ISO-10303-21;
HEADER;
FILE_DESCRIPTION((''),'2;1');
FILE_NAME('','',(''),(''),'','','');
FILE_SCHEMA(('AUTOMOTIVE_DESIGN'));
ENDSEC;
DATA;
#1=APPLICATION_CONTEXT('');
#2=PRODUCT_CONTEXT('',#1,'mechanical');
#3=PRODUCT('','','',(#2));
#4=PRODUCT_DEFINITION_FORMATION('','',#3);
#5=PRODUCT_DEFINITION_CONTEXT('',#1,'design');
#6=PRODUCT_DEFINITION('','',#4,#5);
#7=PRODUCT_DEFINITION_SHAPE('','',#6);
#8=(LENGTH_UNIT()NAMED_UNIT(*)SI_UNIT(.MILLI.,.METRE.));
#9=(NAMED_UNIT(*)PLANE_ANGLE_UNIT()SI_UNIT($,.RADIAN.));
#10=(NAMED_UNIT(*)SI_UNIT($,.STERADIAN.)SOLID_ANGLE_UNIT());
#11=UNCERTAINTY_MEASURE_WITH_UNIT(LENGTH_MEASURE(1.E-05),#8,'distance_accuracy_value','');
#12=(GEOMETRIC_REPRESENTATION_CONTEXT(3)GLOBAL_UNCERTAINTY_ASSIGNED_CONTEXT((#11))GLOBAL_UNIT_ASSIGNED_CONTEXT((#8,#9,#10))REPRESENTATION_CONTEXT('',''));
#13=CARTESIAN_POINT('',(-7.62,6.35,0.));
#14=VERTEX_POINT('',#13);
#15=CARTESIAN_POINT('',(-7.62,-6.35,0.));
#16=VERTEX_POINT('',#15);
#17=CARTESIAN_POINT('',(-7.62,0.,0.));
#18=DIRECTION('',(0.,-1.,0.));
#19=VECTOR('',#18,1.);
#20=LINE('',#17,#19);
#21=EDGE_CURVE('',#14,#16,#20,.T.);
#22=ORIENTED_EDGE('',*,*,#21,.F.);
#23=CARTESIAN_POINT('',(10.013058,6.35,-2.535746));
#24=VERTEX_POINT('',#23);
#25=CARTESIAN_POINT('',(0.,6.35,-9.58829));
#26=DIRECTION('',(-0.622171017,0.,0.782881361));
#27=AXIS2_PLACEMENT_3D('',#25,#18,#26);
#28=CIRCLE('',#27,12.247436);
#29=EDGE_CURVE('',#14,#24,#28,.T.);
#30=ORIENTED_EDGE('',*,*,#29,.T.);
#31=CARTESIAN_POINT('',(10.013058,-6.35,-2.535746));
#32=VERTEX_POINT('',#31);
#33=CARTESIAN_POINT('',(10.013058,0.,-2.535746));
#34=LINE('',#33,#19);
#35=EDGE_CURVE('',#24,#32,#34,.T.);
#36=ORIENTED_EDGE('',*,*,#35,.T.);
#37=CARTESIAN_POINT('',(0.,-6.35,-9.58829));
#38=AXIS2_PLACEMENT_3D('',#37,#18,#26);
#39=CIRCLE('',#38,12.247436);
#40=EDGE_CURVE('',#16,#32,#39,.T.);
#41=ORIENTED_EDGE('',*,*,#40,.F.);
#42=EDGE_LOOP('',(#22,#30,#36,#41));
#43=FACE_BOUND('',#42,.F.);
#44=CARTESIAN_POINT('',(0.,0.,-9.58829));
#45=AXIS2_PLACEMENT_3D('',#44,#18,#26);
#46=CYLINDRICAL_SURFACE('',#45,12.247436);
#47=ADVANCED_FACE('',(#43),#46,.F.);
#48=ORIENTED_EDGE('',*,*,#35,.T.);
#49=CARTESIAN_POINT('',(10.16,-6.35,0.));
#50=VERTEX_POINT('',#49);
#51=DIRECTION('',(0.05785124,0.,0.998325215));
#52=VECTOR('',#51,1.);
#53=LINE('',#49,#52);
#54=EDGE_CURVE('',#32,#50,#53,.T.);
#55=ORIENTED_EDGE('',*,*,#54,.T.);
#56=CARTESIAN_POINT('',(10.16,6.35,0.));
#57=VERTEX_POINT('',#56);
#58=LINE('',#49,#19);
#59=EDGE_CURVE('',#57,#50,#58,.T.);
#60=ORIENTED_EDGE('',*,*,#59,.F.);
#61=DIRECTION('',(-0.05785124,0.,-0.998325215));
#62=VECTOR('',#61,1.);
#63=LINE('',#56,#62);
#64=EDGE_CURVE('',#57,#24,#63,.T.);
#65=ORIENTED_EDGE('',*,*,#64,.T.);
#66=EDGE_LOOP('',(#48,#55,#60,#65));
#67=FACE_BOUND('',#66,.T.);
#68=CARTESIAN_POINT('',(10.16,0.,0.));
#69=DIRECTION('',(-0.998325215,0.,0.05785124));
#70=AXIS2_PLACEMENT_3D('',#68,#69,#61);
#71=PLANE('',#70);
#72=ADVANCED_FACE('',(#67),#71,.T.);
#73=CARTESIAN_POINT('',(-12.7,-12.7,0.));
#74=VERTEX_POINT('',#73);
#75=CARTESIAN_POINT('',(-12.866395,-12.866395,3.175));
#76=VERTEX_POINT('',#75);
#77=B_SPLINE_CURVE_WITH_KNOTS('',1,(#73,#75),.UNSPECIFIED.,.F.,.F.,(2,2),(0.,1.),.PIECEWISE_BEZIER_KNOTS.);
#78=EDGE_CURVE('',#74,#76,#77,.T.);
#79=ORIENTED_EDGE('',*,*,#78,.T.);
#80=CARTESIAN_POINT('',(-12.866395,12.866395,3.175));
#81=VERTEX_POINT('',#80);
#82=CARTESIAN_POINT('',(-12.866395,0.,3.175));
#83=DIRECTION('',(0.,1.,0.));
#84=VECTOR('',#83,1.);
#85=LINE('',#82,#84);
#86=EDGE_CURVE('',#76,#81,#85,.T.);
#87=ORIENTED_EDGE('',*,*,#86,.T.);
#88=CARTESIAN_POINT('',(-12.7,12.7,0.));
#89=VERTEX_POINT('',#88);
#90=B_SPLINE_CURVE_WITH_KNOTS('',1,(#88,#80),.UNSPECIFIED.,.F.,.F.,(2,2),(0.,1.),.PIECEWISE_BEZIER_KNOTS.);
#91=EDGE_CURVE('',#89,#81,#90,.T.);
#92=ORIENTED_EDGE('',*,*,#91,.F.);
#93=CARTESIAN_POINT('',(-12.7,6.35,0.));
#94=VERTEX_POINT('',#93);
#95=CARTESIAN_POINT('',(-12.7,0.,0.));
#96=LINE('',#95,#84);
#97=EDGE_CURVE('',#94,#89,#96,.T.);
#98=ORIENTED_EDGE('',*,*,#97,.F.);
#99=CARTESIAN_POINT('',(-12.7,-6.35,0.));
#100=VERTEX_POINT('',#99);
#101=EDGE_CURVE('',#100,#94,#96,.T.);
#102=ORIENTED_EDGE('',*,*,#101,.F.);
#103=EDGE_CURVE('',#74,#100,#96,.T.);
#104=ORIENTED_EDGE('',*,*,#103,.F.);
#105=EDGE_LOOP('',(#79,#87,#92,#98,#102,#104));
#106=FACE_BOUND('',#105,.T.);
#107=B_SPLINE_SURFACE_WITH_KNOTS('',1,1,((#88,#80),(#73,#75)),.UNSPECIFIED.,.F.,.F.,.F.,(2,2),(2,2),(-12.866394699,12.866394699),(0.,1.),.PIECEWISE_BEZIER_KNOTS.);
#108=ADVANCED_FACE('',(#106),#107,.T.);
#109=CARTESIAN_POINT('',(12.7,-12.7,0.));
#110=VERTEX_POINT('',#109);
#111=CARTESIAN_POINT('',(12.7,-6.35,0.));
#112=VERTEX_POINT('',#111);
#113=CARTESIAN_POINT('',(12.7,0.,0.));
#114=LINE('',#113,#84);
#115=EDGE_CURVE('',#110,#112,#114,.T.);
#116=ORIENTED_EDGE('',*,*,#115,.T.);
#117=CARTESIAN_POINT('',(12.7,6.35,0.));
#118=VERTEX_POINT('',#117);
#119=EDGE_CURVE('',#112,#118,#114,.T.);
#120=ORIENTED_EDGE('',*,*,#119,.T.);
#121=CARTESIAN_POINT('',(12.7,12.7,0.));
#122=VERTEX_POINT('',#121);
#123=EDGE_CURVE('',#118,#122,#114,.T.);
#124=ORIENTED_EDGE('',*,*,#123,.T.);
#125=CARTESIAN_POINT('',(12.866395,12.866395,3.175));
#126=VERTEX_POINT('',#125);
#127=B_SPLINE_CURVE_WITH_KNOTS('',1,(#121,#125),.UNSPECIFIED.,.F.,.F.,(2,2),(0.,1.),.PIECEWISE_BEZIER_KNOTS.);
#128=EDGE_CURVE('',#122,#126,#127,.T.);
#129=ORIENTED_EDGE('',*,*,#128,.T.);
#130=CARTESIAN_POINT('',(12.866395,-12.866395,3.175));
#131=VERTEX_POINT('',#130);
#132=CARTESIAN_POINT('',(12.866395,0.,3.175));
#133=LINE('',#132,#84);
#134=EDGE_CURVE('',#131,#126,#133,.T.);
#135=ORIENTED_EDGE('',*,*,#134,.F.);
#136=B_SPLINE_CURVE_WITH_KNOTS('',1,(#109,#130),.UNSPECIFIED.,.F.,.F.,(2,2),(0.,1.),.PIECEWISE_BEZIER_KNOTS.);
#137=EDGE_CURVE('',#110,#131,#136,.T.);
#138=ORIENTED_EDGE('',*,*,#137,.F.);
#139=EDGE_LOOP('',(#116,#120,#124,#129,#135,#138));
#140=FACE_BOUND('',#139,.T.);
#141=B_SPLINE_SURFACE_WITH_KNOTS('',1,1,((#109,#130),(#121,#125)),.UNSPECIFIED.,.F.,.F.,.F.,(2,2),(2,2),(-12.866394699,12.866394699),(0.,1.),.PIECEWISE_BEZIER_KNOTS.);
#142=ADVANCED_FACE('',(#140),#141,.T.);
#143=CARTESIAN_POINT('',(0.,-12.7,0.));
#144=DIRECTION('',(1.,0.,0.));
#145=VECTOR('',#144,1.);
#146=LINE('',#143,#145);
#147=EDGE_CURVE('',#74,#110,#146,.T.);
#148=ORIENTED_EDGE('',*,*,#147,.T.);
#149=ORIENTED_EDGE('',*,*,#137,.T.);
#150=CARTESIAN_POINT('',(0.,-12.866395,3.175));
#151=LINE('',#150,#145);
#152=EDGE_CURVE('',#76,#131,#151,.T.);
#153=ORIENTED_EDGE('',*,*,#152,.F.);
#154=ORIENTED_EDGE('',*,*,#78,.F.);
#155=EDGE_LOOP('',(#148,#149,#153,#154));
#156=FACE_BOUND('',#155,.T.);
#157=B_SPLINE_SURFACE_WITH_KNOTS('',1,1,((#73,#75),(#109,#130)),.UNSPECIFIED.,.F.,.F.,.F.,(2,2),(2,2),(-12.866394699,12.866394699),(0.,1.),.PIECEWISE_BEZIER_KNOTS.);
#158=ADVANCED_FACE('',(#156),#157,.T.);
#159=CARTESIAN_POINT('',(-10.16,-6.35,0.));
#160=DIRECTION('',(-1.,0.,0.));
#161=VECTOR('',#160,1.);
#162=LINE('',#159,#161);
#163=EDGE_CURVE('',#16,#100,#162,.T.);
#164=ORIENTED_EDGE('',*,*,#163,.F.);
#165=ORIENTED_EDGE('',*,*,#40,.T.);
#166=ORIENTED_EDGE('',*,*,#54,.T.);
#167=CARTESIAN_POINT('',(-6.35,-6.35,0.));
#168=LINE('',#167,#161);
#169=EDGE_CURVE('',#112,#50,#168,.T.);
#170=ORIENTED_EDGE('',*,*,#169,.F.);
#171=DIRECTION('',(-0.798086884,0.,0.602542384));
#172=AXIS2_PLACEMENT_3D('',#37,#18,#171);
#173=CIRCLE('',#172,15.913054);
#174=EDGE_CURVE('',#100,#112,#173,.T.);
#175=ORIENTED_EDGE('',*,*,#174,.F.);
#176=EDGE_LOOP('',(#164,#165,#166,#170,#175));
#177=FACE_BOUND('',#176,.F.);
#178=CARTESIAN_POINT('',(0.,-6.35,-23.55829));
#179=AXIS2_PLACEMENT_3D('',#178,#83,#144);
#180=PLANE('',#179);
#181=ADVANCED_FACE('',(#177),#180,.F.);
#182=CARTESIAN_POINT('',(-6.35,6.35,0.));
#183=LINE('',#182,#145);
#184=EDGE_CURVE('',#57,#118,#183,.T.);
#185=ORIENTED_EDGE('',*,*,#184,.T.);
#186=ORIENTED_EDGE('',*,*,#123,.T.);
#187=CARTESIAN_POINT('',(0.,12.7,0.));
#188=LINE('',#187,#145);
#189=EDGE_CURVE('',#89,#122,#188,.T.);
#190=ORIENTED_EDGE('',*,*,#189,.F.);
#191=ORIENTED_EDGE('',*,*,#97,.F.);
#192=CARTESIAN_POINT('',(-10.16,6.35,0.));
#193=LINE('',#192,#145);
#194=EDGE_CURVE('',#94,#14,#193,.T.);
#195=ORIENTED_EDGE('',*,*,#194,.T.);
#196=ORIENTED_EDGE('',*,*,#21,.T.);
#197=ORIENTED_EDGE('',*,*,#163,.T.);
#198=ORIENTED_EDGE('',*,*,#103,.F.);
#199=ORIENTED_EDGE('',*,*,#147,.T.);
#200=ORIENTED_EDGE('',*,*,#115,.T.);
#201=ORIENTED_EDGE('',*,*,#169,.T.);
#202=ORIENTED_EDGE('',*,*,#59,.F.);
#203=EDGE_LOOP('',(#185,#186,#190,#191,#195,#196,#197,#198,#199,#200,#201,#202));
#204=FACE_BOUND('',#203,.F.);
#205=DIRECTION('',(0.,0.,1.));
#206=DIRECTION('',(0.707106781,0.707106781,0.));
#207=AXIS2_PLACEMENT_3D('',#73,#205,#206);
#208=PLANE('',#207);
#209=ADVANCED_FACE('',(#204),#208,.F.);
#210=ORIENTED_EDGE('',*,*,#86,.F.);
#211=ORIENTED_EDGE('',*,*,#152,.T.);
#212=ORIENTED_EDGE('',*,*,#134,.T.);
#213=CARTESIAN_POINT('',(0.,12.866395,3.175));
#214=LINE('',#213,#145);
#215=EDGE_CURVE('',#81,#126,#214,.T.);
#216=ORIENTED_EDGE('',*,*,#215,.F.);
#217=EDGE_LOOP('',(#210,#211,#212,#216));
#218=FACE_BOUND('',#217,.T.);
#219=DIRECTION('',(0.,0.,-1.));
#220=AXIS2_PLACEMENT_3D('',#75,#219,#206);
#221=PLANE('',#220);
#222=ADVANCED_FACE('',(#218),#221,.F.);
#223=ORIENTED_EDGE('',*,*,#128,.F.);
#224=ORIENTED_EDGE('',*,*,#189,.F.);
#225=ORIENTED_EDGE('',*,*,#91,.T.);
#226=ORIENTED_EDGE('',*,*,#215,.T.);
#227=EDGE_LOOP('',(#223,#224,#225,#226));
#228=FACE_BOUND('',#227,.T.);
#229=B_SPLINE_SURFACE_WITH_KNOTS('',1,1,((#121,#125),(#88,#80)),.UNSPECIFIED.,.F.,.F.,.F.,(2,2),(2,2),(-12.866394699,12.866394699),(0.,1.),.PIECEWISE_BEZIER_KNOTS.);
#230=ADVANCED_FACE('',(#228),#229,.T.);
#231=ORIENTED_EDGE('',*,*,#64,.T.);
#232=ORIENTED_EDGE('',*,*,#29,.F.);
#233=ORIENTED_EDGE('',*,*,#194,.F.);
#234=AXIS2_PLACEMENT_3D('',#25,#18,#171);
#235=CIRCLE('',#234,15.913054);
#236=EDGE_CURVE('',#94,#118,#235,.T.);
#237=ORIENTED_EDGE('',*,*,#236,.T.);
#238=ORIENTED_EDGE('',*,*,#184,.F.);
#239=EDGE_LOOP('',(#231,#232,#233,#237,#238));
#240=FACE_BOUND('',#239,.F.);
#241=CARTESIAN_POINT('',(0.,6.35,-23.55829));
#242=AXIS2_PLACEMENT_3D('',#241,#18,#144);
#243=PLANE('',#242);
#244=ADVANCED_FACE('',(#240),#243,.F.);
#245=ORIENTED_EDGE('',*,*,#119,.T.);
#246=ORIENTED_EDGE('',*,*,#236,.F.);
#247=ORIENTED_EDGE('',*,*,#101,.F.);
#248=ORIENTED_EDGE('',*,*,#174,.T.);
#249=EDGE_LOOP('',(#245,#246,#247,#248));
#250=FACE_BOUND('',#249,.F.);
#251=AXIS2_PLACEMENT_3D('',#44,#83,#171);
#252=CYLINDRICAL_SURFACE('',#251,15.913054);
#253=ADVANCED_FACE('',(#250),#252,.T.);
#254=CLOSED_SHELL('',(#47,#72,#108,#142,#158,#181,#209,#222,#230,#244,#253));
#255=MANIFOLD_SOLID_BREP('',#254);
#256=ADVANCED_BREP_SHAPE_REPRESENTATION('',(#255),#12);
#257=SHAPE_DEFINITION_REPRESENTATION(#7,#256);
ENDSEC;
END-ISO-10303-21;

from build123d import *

# Parameters (mm, degrees)
F0_W     = 25.4
F0_H     = 25.4
F1_DEPTH = 3.175
F1_TAPER = -3
F3_W     = 5.08
F3_H     = 12.7


with BuildPart() as f1:
    # F0 (on Top) → F1 (new body)
    with BuildSketch(Plane.XY):
        Rectangle(F0_W, F0_H)
    extrude(amount=F1_DEPTH, taper=F1_TAPER)

    # F4: sweep along a path in F2
    with BuildLine(Plane.XZ) as f4_path:
        ThreePointArc((-10.16, 0), (0, -23.5582897328), (10.16, 0))
    # F3 (on face) → F4 (sweep)
    with BuildSketch(Plane(origin=(0, 0, 0), x_dir=(1, 0, 0), z_dir=(0, 0, -1))):
        with Locations((-10.16, 0)):
            Rectangle(F3_W, F3_H)
    sweep(path=f4_path.line)


solid = f1.part
